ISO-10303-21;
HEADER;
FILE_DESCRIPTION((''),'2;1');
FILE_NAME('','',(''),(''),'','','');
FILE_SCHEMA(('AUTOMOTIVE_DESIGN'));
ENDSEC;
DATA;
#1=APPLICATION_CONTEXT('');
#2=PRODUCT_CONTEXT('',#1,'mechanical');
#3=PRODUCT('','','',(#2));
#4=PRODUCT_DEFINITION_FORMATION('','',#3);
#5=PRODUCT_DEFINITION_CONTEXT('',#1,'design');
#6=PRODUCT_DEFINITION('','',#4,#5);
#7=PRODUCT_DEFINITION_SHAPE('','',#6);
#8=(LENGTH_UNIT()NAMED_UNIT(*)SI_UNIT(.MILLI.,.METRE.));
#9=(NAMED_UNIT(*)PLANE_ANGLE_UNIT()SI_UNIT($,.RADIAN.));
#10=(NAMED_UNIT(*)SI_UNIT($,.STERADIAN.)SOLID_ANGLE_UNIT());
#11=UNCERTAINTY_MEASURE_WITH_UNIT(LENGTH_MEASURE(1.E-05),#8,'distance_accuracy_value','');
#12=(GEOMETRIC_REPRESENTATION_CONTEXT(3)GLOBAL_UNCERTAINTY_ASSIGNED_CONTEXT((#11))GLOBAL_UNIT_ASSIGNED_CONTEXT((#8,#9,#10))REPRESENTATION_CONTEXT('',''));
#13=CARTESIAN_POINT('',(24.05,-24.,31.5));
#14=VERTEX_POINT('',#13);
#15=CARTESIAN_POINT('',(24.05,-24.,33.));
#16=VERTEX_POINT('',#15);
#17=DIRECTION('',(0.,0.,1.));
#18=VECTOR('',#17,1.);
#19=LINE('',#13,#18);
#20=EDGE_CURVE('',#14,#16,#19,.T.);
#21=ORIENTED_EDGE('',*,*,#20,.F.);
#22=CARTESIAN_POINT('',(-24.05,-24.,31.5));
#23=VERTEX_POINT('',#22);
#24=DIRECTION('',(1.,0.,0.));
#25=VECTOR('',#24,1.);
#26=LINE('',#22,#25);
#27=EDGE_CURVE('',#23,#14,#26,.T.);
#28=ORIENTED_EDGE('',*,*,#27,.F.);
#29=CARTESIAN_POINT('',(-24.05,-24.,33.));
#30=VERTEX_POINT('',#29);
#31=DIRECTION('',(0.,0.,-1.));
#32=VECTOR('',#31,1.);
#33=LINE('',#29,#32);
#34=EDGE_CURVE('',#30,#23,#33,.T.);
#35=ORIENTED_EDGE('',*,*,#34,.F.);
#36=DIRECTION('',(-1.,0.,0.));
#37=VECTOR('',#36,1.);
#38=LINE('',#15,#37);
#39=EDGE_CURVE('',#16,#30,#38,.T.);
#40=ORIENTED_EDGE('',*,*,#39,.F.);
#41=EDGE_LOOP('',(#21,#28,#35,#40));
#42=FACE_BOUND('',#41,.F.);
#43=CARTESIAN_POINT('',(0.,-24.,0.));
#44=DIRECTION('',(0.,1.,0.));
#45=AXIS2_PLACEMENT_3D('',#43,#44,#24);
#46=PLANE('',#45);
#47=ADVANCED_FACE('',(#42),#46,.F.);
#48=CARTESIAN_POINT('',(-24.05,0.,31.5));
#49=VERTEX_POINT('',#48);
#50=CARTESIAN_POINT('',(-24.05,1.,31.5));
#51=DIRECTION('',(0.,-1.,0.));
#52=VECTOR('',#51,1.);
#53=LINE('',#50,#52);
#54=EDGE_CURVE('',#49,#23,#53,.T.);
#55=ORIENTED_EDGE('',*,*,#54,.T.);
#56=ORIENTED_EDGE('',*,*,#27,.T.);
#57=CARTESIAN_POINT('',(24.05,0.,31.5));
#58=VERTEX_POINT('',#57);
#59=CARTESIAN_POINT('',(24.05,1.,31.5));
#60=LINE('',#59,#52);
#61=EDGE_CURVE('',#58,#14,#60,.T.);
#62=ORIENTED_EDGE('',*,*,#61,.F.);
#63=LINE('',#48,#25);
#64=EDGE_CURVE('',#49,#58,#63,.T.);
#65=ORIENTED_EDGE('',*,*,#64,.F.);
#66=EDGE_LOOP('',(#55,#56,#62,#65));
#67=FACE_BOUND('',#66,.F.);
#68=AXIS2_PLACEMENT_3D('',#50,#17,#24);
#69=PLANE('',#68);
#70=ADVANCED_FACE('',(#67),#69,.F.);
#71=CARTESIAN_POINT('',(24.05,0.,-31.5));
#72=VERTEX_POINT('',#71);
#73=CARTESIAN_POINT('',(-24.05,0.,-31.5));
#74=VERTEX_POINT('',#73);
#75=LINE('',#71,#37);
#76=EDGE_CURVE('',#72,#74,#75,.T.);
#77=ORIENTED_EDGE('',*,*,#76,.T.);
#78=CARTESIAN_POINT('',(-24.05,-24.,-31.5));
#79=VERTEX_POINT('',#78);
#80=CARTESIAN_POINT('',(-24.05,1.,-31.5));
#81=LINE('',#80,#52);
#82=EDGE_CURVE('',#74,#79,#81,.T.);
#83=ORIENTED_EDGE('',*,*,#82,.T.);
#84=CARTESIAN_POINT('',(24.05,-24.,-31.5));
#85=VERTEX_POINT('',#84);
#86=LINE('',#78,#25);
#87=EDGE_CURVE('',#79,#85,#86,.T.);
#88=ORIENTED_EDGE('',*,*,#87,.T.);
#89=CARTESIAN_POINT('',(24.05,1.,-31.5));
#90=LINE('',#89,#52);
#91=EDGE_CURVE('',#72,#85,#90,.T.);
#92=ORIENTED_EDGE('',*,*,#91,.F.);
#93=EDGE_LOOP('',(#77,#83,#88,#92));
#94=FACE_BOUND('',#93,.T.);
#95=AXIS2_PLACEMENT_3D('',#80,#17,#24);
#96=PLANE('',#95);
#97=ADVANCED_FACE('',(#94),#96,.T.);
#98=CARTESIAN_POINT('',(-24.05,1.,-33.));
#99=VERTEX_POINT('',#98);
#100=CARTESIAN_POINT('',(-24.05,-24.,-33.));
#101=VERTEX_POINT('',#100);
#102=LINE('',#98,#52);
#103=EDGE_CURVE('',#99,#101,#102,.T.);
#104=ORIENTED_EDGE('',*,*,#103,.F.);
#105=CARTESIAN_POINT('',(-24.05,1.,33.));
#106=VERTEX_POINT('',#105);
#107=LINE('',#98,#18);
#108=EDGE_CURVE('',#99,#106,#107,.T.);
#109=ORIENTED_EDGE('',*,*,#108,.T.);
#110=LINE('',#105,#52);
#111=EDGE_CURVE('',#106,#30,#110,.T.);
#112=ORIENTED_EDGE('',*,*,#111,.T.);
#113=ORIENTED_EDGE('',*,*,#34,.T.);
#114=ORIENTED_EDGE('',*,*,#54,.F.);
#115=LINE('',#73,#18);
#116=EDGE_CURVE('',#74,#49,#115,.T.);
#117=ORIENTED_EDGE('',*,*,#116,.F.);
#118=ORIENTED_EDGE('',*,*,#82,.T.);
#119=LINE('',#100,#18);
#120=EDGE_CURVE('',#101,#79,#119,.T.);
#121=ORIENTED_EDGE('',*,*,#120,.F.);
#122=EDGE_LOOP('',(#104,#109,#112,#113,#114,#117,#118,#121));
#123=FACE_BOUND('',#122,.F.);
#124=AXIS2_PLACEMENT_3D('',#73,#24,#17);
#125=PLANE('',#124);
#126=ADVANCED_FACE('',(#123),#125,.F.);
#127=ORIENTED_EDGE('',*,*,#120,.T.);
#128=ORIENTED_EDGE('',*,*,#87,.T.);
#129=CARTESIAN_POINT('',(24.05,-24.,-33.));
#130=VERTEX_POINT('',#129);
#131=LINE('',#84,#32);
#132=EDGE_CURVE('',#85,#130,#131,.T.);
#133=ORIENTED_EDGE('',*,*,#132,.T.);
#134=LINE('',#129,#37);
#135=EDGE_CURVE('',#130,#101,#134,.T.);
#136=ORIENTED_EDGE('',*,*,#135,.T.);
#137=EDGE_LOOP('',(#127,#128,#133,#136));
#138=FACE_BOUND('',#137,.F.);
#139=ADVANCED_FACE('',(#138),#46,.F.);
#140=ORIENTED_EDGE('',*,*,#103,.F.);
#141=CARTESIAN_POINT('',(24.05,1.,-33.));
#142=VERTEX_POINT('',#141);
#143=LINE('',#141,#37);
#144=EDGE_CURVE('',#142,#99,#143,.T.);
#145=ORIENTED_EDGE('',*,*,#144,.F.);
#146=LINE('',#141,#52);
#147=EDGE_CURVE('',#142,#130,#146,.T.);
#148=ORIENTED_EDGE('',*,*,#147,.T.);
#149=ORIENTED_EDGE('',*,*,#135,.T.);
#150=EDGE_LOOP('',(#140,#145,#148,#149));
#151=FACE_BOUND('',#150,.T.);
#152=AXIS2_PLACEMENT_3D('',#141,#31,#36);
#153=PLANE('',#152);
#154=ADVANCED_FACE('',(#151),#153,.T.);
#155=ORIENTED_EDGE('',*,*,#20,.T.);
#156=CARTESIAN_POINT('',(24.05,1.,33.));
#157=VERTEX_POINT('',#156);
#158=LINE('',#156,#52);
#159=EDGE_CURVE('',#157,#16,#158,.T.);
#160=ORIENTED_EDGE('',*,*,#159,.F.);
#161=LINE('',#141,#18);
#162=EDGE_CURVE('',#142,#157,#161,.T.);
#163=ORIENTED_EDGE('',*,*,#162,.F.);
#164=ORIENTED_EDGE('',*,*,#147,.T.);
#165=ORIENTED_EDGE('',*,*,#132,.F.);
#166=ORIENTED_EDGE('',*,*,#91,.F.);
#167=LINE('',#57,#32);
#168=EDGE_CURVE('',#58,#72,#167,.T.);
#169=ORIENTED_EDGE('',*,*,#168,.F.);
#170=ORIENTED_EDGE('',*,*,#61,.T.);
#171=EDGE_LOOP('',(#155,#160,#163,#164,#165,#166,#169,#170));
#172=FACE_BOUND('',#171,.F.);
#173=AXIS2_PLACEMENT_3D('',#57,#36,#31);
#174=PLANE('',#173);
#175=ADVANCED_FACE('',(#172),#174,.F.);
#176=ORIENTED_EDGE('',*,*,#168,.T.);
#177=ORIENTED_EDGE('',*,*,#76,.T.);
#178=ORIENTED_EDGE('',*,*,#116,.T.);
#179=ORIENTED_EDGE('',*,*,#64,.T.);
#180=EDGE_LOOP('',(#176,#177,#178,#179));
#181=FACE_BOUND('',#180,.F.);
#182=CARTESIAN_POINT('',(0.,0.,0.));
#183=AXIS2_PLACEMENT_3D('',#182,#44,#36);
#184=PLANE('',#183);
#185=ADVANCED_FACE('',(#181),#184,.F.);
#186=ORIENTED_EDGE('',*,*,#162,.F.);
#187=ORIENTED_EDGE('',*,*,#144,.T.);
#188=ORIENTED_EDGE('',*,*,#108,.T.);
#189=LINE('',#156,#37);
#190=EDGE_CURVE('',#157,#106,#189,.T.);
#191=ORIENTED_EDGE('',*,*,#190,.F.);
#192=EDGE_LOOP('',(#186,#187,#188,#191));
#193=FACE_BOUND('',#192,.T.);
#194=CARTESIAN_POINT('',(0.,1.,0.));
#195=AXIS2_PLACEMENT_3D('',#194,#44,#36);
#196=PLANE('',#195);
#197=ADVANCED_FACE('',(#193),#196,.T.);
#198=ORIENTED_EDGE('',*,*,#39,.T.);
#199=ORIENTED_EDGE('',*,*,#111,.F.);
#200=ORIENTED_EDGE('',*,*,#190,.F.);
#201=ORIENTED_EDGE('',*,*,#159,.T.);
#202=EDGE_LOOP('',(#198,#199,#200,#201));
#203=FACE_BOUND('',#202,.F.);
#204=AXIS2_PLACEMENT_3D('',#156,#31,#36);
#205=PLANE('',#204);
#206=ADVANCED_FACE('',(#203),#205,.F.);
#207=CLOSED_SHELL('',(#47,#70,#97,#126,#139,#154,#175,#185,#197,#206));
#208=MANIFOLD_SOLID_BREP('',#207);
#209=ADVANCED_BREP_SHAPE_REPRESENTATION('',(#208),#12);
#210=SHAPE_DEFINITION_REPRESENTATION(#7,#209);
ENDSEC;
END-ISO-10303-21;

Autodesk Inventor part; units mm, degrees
ref_plane "YZ Plane" through (0, 0, 0) normal (1, 0, 0) x (0, 1, 0)
ref_plane "XZ Plane" through (0, 0, 0) normal (0, 1, 0) x (-1, 0, 0)
ref_plane "XY Plane" through (0, 0, 0) normal (0, 0, 1) x (1, 0, 0)
sketch "Sketch1" plane through (0, 0, 0) normal (0, 1, 0) x (-1, 0, 0)
  line L0 (-24.05, -31.5) -> (24.05, -31.5)
  line L1 (24.05, -31.5) -> (24.05, 31.5)
  line L2 (24.05, 31.5) -> (-24.05, 31.5)
  line L3 (-24.05, 31.5) -> (-24.05, -31.5)
  line L4 (-24.05, -31.5) -> (24.05, 31.5) construction
  line L5 (24.05, -31.5) -> (-24.05, 31.5) construction
  point P0 (0, 0)
  dimension "d0" = 63
  dimension "d1" = 48.1
extrude "Extrusion1" add sketch "Sketch1" along normal blind 1
sketch "Sketch2" plane through (0, 1, 0) normal (0, 1, 0) x (1, 0, 0)
  line L0 (-24.05, -31.5) -> (24.05, -31.5) projected
  line L1 (-24.05, -31.5) -> (24.05, -31.5)
  line L2 (24.05, -31.5) -> (24.05, -33)
  line L3 (24.05, -33) -> (-24.05, -33)
  line L4 (-24.05, -33) -> (-24.05, -31.5)
  line L5 (-24.05, 31.5) -> (24.05, 31.5)
  line L6 (24.05, 31.5) -> (24.05, 33)
  line L7 (24.05, 33) -> (-24.05, 33)
  line L8 (-24.05, 33) -> (-24.05, 31.5)
  point P0 (0, 0)
  point P1 (20.95, -31.5)
  dimension "d4" = 1.5
extrude "Extrusion2" add sketch "Sketch2" against normal blind 25
properties part number "Module Cover"
